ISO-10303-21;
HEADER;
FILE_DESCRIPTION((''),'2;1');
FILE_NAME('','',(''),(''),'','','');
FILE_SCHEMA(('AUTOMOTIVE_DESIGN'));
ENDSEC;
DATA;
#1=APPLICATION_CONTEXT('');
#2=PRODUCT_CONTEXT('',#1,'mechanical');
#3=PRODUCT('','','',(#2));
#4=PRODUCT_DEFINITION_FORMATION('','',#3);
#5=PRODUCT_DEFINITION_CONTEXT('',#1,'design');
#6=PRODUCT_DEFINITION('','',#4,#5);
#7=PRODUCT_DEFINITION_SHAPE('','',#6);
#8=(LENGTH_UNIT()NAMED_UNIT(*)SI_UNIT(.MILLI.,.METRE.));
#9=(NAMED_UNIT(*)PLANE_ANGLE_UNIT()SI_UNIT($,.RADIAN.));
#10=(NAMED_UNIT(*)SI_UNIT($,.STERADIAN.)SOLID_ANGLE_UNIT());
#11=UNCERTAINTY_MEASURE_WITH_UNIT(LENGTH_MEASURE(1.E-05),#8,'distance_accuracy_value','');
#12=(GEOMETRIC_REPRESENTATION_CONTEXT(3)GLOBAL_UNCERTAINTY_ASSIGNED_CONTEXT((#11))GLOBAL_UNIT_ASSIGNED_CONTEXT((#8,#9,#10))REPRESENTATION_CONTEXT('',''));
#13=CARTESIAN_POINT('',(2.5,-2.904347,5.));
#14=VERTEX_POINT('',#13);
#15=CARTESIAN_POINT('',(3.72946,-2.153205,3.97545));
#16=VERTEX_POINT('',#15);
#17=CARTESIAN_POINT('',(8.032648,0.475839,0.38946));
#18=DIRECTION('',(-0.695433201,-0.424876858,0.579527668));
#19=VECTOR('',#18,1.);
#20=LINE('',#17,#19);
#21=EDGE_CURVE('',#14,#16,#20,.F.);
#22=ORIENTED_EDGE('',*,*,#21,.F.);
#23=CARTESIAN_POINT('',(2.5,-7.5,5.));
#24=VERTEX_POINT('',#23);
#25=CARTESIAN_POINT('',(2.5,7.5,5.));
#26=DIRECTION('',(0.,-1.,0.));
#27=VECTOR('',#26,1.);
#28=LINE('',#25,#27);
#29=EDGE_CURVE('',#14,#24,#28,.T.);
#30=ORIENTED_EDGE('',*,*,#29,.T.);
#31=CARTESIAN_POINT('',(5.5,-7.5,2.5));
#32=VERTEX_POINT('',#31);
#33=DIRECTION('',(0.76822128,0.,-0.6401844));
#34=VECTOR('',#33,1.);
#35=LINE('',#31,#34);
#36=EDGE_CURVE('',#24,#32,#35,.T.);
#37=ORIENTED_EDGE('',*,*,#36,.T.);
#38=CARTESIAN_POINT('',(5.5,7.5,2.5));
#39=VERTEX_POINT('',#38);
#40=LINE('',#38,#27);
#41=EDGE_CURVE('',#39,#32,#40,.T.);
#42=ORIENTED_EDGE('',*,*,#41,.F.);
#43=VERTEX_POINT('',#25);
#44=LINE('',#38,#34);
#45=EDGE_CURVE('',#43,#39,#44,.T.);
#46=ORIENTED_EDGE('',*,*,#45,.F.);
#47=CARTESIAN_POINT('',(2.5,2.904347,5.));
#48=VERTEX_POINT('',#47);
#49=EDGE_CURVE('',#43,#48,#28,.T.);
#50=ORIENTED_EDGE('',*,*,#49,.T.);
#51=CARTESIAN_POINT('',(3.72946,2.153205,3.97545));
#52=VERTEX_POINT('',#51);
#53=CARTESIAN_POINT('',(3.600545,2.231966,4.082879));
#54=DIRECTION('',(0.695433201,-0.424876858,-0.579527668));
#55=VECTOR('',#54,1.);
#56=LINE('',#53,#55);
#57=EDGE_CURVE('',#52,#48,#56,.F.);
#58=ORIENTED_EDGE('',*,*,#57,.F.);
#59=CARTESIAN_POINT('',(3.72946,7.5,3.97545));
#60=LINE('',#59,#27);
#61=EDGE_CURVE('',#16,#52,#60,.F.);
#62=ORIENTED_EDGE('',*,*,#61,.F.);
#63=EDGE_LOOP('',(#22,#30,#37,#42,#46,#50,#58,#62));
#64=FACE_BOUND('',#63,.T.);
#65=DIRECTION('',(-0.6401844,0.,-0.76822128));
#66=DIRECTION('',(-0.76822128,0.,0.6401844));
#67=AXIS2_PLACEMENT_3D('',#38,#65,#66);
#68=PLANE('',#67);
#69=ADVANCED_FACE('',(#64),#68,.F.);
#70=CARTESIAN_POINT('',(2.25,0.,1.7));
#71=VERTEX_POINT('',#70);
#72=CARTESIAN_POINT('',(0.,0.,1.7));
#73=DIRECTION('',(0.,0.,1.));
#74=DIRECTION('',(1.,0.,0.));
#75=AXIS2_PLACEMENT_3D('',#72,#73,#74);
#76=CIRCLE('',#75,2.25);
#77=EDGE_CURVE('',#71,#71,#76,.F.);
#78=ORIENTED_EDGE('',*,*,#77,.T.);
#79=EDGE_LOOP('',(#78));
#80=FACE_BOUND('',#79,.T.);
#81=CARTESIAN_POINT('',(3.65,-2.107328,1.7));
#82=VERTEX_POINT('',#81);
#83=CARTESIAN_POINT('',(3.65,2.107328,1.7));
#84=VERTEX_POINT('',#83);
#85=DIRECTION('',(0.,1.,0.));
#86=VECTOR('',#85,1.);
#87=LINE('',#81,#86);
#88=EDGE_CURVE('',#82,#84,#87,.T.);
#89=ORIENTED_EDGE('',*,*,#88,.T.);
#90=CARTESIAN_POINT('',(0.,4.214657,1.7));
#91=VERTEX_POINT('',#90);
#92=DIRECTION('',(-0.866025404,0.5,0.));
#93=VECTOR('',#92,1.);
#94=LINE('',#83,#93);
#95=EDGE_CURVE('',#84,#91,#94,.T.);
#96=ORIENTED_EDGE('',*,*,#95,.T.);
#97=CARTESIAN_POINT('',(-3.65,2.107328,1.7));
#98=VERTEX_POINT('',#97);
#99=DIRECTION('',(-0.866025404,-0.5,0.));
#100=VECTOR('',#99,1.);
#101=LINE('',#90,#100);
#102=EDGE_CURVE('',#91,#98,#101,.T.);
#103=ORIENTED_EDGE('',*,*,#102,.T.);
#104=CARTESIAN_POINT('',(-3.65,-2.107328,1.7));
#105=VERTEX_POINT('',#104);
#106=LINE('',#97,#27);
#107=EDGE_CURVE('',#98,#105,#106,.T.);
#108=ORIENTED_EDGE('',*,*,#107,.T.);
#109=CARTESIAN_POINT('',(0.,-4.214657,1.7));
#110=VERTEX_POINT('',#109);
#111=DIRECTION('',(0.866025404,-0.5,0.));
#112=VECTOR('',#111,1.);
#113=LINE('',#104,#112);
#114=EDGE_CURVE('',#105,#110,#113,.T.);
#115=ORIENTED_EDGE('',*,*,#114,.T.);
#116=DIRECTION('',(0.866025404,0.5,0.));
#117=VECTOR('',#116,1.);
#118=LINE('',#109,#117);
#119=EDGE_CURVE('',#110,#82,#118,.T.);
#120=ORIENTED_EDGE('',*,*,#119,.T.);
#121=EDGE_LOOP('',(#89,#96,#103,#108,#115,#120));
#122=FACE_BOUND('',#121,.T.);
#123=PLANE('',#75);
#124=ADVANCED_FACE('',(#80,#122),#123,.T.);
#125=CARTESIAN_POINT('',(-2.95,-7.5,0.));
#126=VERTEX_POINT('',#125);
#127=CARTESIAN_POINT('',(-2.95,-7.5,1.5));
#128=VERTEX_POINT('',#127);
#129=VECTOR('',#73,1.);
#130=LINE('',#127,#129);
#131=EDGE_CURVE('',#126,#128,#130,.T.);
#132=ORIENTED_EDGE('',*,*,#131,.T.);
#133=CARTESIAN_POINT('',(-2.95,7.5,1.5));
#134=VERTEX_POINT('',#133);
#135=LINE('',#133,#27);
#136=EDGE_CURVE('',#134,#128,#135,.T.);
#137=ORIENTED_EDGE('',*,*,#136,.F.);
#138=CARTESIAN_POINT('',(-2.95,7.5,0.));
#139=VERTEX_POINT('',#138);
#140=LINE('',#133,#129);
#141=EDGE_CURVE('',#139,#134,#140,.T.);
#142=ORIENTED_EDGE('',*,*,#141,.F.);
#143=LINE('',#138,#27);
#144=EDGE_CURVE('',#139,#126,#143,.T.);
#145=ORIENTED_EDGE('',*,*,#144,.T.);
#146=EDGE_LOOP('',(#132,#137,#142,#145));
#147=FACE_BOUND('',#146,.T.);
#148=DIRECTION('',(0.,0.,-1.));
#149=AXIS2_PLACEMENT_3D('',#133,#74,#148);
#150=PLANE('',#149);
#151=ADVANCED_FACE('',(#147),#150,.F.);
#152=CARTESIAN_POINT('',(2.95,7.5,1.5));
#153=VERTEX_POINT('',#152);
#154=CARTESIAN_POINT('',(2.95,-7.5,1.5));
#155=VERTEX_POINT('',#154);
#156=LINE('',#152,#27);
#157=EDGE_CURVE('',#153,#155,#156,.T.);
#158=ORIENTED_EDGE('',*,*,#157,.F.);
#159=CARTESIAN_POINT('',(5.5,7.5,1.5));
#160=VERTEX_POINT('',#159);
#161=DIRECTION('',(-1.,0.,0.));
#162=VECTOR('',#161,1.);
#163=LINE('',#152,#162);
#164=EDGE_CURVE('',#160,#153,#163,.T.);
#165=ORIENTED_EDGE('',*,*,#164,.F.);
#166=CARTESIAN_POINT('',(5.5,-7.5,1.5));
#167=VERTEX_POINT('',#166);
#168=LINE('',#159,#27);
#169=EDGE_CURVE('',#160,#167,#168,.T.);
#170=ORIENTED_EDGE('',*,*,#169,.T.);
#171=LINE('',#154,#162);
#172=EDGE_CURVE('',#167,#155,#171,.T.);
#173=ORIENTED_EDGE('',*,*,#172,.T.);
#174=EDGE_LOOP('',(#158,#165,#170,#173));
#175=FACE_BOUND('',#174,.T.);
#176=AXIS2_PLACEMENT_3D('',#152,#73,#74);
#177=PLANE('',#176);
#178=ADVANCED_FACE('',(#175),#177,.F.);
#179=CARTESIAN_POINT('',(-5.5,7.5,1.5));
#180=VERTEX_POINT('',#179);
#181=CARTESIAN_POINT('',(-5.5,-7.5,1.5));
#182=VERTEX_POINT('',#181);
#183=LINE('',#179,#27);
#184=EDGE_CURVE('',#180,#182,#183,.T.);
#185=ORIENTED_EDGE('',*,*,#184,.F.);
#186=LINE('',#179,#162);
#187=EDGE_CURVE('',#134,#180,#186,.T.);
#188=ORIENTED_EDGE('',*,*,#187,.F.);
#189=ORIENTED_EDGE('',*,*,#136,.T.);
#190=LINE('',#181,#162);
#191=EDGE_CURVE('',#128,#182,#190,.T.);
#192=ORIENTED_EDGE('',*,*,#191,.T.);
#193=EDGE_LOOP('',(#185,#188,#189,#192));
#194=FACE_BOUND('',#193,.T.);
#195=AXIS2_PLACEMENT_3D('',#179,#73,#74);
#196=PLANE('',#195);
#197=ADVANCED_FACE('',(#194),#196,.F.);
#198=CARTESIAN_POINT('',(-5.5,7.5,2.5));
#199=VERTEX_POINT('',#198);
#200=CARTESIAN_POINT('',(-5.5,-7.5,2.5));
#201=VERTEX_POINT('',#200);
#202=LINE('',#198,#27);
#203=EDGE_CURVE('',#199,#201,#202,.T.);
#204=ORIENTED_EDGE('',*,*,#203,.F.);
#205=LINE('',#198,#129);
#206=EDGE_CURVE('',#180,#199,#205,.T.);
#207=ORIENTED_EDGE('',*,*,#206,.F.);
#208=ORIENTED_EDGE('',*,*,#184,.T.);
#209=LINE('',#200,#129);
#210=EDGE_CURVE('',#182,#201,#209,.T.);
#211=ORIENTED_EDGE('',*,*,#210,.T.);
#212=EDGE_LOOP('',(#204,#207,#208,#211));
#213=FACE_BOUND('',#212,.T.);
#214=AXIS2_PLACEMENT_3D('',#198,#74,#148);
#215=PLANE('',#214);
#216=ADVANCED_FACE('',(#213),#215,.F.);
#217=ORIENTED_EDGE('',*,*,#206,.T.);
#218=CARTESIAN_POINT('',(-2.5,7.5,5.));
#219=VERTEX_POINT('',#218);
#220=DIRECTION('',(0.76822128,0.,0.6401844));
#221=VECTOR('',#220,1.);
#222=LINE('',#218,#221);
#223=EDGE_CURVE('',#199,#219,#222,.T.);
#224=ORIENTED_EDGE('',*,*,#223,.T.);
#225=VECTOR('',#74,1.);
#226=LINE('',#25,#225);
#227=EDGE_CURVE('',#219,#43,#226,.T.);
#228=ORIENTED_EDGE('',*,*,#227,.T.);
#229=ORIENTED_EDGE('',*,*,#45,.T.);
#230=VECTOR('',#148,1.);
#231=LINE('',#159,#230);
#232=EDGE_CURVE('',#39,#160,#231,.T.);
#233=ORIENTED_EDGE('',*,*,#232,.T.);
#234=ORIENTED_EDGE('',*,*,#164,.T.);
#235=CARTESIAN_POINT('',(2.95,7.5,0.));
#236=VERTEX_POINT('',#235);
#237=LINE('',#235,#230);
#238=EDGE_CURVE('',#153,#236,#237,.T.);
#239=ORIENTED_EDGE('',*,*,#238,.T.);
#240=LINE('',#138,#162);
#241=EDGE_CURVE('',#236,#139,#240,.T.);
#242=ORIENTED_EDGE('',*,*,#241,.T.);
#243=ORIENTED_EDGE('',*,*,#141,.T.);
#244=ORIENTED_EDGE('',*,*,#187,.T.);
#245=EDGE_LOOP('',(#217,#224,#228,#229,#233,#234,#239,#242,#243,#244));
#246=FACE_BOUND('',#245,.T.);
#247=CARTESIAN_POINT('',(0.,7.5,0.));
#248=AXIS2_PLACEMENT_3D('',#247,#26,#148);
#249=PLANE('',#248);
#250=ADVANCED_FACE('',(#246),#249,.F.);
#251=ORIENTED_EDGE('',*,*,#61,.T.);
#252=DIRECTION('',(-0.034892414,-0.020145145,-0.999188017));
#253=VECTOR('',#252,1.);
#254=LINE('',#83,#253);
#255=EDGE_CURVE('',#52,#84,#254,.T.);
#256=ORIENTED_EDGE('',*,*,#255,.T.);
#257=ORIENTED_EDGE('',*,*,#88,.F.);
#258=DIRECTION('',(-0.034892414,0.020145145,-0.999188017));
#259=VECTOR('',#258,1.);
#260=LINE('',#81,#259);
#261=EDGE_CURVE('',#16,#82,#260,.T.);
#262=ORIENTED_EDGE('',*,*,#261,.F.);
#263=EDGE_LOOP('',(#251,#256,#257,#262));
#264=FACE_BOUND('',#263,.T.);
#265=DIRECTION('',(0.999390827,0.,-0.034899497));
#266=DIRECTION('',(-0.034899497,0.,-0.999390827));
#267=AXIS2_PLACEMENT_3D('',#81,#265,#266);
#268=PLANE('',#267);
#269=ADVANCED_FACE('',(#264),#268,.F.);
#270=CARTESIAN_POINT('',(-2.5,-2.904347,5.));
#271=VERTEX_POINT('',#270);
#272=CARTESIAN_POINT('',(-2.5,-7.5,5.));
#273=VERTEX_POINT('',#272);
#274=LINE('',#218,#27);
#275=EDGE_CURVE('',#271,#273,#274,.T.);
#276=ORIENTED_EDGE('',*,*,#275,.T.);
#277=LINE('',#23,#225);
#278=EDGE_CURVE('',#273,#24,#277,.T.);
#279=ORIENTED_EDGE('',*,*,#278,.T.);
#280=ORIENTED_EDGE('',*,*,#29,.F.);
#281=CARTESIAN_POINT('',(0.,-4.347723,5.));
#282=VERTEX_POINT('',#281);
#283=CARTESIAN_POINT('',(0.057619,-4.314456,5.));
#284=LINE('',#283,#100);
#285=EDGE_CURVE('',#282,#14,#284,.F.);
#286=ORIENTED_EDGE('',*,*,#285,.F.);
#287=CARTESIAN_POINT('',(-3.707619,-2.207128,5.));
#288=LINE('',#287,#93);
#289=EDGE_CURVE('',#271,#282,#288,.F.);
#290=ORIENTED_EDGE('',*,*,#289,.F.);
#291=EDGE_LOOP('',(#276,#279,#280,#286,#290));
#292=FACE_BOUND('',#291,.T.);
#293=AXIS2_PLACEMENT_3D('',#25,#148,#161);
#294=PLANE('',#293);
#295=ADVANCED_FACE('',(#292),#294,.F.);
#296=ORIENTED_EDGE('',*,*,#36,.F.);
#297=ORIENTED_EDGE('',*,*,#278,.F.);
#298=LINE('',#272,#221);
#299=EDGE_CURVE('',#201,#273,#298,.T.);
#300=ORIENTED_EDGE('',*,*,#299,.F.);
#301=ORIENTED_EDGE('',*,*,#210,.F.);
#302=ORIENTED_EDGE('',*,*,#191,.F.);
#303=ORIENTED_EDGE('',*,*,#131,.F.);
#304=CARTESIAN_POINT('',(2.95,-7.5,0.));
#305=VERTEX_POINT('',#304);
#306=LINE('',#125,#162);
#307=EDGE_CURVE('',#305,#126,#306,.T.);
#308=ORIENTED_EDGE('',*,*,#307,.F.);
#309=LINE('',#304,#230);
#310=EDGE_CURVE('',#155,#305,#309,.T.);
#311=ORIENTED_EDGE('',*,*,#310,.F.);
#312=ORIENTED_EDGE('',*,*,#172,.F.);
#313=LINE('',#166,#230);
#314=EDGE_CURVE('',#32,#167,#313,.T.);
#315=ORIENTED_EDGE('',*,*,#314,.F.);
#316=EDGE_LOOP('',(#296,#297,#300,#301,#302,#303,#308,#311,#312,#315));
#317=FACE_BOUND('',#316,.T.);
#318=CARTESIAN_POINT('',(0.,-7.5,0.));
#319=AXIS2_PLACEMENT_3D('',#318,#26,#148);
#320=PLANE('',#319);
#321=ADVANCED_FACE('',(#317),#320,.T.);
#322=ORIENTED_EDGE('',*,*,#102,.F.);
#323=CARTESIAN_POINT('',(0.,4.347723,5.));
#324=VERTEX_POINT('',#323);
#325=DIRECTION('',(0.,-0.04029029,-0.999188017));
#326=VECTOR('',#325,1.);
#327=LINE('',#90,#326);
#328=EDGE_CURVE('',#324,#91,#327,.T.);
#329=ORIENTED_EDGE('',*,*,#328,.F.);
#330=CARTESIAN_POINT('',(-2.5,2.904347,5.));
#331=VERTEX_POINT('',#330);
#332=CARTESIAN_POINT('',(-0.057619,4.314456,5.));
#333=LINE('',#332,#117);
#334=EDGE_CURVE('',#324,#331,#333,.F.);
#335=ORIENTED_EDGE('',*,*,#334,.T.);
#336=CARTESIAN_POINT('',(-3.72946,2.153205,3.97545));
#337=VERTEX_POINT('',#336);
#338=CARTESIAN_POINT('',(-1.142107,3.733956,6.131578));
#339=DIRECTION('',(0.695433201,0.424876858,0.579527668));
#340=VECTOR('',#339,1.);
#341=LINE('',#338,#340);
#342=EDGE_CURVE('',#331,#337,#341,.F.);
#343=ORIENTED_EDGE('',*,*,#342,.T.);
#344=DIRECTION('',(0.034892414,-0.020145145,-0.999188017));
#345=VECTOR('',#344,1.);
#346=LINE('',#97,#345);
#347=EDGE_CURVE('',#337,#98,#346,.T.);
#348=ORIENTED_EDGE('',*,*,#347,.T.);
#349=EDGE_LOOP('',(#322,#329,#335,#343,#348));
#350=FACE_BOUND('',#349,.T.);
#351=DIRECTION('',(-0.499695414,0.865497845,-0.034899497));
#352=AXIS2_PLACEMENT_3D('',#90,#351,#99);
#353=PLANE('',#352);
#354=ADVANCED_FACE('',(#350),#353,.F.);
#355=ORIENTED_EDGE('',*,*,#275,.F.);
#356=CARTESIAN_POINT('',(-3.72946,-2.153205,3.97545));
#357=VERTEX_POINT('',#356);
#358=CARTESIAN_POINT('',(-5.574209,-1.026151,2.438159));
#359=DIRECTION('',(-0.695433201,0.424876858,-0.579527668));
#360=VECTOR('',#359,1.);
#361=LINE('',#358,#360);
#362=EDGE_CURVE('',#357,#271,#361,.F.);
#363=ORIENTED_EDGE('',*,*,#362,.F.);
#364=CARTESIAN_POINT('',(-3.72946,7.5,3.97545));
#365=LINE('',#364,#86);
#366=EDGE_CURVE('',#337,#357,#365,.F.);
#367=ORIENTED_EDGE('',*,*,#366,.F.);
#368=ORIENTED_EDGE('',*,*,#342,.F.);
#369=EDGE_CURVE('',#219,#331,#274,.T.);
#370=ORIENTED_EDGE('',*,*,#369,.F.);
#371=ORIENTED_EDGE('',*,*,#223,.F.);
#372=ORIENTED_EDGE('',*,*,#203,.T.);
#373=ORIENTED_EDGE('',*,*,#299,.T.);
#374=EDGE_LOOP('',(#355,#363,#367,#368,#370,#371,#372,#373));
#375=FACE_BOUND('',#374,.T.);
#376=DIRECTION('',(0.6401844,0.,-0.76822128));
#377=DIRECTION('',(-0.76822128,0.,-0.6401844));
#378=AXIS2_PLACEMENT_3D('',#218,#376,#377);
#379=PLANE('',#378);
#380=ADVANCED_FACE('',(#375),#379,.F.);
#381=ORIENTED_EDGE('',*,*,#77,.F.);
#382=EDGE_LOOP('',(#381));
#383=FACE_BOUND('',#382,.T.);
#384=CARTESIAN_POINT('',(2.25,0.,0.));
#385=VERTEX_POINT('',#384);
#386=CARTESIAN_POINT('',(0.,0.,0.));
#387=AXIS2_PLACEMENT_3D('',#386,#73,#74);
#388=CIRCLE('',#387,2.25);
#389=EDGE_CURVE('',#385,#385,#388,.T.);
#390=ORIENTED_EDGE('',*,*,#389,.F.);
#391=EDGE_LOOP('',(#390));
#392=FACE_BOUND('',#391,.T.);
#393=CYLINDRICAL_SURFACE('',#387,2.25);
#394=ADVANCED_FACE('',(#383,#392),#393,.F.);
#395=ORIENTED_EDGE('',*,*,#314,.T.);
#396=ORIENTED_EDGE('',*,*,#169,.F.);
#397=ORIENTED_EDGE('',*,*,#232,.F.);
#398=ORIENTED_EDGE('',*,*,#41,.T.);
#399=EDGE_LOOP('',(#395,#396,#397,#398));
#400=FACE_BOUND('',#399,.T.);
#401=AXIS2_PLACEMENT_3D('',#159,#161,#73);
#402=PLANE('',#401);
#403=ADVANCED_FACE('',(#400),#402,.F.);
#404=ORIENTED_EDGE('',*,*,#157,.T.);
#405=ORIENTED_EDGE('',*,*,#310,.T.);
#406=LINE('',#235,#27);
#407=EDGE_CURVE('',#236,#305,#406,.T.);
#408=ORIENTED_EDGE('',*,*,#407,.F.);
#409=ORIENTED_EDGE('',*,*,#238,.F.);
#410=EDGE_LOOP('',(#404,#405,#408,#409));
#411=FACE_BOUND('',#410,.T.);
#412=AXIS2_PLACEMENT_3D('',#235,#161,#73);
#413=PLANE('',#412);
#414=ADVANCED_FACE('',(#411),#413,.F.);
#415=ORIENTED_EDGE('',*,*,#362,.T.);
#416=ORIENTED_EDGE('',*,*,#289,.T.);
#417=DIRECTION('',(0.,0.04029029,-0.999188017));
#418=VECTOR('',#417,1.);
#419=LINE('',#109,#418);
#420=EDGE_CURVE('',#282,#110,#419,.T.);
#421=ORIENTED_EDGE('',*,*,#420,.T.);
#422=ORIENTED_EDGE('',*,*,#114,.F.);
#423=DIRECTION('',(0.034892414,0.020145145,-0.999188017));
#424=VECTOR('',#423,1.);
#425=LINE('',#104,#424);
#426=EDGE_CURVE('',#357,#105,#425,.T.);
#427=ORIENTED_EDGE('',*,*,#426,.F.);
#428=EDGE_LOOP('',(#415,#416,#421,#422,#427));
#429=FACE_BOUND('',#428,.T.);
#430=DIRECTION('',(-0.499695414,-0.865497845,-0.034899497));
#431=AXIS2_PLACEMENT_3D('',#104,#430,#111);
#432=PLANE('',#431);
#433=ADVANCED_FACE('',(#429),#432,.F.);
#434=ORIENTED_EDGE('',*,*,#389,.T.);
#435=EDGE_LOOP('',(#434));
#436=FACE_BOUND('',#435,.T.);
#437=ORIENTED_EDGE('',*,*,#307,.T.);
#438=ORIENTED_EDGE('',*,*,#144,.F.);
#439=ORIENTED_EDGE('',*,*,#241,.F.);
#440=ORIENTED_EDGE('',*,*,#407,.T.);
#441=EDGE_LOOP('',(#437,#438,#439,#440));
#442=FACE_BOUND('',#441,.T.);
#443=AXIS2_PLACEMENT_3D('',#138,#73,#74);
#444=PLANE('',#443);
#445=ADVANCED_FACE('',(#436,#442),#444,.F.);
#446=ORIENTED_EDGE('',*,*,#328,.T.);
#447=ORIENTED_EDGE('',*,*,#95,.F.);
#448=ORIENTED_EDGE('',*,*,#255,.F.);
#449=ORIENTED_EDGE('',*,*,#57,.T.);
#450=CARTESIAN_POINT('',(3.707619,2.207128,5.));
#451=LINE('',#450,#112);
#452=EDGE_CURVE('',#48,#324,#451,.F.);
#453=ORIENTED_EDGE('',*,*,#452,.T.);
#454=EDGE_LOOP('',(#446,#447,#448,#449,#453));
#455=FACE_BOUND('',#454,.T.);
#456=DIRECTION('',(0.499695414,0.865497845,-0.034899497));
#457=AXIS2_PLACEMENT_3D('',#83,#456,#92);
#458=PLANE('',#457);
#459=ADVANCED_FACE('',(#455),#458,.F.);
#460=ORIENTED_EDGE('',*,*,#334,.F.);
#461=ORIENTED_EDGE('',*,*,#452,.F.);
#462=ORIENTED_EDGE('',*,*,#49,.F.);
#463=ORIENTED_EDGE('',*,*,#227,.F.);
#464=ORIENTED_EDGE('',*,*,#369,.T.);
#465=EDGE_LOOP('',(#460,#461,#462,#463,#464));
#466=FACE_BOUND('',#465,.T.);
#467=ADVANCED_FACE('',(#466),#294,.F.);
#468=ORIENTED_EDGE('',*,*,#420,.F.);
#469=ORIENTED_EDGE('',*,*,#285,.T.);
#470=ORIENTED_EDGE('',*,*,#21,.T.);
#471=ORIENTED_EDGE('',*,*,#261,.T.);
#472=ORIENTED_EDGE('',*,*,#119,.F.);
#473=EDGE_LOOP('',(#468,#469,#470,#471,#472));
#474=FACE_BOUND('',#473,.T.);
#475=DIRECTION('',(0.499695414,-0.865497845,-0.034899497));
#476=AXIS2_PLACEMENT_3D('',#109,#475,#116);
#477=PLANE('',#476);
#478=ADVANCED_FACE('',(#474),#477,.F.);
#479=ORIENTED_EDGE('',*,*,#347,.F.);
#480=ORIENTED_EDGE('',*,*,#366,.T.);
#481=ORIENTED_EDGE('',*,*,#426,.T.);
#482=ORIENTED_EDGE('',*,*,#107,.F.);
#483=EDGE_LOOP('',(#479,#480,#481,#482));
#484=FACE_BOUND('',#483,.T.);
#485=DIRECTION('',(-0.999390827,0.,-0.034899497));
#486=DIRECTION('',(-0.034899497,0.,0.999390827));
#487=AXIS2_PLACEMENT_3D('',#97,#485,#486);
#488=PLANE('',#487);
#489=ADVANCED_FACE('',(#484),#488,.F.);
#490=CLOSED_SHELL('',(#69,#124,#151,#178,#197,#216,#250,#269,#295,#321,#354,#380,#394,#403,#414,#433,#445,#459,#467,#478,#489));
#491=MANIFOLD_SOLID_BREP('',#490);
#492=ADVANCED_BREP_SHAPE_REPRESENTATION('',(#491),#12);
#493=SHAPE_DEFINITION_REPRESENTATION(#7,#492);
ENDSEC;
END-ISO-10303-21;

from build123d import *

# Parameters (mm, degrees)
BOSS_EXTRUDE1_DEPTH = 7.5
SKETCH2_R           = 2.25
CUT_EXTRUDE1_DEPTH  = 11.559356041
CUT_EXTRUDE2_START  = -3.3
CUT_EXTRUDE2_DEPTH  = 14.859356041
CUT_EXTRUDE2_DRAFT  = -2


with BuildPart() as part:
    # Sketch1 → Boss-Extrude1 (new, symmetric)
    with BuildSketch(Plane(origin=(0, 0, 0), x_dir=(1, 0, 0), z_dir=(0, 1, 0))):
        Polygon((-2.95, 0), (2.95, 0), (2.95, -1.5), (5.5, -1.5), (5.5, -2.5), (2.5, -5), (-2.5, -5), (-5.5, -2.5), (-5.5, -1.5), (-2.95, -1.5), align=None)
    extrude(amount=BOSS_EXTRUDE1_DEPTH, both=True)

    # Sketch2 → Cut-Extrude1 (cut, through all)
    with BuildSketch(Plane.XY.offset(5)):
        Circle(SKETCH2_R)
    extrude(amount=-CUT_EXTRUDE1_DEPTH, mode=Mode.SUBTRACT)


with BuildPart() as cut_extrude2_tool:
    # Sketch3 → Cut-Extrude2 (with draft: the straight prism first)
    with BuildSketch(Plane.XY.offset(5).offset(CUT_EXTRUDE2_START)):
        Polygon((0, 4.214656965), (-3.65, 2.107328483), (-3.65, -2.107328483), (0, -4.214656965), (3.65, -2.107328483), (3.65, 2.107328483), align=None)
    extrude(amount=CUT_EXTRUDE2_DEPTH)
    # Cut-Extrude2: the draft: its side faces are tilted about the plane it starts from
    cut_extrude2_sides = [cut_extrude2_tool.faces().sort_by_distance(p)[0] for p in [
        (-1.825, 3.160992724, 9.12967802),
        (-3.65, 0, 9.12967802),
        (-1.825, -3.160992724, 9.12967802),
        (1.825, -3.160992724, 9.12967802),
        (3.65, 0, 9.12967802),
        (1.825, 3.160992724, 9.12967802),
    ]]
    draft(cut_extrude2_sides, Plane.XY.offset(5).offset(CUT_EXTRUDE2_START), CUT_EXTRUDE2_DRAFT)


with BuildPart() as part_1:
    add(part.part)

    # Cut-Extrude2: cut by cut_extrude2_tool
    add(cut_extrude2_tool.part, mode=Mode.SUBTRACT)


solid = part_1.part
